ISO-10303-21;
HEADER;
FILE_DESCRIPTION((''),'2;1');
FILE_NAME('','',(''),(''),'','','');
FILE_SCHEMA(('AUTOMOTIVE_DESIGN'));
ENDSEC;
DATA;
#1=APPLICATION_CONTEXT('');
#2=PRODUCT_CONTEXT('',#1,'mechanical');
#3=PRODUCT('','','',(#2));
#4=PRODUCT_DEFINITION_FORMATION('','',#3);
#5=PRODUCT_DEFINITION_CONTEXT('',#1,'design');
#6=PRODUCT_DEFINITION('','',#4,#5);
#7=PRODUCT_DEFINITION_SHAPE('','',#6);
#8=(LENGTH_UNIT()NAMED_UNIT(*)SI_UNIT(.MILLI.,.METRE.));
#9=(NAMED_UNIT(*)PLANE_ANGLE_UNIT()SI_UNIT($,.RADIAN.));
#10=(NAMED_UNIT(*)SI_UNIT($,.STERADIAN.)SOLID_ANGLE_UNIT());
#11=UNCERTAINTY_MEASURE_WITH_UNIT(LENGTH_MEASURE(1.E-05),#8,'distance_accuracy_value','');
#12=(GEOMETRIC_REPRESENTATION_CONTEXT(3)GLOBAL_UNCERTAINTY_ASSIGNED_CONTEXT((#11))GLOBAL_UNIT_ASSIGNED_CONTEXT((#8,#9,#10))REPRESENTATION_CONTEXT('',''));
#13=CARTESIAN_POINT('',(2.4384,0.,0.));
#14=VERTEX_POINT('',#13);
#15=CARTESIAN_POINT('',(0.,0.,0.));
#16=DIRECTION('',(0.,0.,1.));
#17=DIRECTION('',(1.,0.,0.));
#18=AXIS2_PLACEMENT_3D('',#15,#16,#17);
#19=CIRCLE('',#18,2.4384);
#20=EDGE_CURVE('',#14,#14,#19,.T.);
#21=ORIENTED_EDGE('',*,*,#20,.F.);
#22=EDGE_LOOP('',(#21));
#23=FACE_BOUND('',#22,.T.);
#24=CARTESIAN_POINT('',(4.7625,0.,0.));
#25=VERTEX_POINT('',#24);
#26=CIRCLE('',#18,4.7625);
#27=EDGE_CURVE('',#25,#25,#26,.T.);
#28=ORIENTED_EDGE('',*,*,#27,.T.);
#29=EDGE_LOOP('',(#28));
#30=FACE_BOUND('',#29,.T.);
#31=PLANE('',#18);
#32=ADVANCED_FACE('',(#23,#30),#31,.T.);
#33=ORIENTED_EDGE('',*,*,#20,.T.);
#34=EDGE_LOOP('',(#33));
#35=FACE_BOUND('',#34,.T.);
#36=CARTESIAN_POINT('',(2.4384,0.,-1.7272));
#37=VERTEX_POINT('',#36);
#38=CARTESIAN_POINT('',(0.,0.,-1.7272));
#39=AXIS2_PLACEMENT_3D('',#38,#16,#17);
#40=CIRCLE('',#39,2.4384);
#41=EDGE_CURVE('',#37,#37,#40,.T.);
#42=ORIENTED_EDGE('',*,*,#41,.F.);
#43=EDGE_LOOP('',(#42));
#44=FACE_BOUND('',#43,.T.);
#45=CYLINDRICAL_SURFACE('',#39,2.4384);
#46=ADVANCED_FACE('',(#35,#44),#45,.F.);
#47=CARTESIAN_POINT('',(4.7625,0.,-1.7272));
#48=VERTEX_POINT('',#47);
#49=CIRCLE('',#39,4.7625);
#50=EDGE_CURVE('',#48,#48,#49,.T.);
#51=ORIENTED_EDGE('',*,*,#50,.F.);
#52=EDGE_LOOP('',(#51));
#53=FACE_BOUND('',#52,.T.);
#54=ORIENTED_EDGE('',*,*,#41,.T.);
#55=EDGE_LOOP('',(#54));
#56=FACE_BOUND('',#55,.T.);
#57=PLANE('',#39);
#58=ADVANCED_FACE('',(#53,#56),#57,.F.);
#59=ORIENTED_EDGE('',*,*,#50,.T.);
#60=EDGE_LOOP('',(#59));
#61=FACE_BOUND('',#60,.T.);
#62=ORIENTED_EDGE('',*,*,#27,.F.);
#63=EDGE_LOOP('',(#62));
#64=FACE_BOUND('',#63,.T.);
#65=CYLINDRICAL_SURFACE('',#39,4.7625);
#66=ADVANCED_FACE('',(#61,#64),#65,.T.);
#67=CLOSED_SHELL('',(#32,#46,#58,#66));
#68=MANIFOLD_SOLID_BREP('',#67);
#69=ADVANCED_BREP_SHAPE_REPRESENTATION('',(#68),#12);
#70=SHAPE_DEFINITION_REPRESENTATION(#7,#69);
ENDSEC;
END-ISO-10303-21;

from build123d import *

# Parameters (mm, degrees)
SKETCH1_R      = 4.7625
SKETCH1_R_2    = 2.4384
EXTRUDE1_DEPTH = 1.7272


with BuildPart() as part:
    # Sketch1 → Extrude1 (new body)
    with BuildSketch(Plane.XY):
        Circle(SKETCH1_R)
        Circle(SKETCH1_R_2, mode=Mode.SUBTRACT)
    extrude(amount=-EXTRUDE1_DEPTH)


solid = part.part
